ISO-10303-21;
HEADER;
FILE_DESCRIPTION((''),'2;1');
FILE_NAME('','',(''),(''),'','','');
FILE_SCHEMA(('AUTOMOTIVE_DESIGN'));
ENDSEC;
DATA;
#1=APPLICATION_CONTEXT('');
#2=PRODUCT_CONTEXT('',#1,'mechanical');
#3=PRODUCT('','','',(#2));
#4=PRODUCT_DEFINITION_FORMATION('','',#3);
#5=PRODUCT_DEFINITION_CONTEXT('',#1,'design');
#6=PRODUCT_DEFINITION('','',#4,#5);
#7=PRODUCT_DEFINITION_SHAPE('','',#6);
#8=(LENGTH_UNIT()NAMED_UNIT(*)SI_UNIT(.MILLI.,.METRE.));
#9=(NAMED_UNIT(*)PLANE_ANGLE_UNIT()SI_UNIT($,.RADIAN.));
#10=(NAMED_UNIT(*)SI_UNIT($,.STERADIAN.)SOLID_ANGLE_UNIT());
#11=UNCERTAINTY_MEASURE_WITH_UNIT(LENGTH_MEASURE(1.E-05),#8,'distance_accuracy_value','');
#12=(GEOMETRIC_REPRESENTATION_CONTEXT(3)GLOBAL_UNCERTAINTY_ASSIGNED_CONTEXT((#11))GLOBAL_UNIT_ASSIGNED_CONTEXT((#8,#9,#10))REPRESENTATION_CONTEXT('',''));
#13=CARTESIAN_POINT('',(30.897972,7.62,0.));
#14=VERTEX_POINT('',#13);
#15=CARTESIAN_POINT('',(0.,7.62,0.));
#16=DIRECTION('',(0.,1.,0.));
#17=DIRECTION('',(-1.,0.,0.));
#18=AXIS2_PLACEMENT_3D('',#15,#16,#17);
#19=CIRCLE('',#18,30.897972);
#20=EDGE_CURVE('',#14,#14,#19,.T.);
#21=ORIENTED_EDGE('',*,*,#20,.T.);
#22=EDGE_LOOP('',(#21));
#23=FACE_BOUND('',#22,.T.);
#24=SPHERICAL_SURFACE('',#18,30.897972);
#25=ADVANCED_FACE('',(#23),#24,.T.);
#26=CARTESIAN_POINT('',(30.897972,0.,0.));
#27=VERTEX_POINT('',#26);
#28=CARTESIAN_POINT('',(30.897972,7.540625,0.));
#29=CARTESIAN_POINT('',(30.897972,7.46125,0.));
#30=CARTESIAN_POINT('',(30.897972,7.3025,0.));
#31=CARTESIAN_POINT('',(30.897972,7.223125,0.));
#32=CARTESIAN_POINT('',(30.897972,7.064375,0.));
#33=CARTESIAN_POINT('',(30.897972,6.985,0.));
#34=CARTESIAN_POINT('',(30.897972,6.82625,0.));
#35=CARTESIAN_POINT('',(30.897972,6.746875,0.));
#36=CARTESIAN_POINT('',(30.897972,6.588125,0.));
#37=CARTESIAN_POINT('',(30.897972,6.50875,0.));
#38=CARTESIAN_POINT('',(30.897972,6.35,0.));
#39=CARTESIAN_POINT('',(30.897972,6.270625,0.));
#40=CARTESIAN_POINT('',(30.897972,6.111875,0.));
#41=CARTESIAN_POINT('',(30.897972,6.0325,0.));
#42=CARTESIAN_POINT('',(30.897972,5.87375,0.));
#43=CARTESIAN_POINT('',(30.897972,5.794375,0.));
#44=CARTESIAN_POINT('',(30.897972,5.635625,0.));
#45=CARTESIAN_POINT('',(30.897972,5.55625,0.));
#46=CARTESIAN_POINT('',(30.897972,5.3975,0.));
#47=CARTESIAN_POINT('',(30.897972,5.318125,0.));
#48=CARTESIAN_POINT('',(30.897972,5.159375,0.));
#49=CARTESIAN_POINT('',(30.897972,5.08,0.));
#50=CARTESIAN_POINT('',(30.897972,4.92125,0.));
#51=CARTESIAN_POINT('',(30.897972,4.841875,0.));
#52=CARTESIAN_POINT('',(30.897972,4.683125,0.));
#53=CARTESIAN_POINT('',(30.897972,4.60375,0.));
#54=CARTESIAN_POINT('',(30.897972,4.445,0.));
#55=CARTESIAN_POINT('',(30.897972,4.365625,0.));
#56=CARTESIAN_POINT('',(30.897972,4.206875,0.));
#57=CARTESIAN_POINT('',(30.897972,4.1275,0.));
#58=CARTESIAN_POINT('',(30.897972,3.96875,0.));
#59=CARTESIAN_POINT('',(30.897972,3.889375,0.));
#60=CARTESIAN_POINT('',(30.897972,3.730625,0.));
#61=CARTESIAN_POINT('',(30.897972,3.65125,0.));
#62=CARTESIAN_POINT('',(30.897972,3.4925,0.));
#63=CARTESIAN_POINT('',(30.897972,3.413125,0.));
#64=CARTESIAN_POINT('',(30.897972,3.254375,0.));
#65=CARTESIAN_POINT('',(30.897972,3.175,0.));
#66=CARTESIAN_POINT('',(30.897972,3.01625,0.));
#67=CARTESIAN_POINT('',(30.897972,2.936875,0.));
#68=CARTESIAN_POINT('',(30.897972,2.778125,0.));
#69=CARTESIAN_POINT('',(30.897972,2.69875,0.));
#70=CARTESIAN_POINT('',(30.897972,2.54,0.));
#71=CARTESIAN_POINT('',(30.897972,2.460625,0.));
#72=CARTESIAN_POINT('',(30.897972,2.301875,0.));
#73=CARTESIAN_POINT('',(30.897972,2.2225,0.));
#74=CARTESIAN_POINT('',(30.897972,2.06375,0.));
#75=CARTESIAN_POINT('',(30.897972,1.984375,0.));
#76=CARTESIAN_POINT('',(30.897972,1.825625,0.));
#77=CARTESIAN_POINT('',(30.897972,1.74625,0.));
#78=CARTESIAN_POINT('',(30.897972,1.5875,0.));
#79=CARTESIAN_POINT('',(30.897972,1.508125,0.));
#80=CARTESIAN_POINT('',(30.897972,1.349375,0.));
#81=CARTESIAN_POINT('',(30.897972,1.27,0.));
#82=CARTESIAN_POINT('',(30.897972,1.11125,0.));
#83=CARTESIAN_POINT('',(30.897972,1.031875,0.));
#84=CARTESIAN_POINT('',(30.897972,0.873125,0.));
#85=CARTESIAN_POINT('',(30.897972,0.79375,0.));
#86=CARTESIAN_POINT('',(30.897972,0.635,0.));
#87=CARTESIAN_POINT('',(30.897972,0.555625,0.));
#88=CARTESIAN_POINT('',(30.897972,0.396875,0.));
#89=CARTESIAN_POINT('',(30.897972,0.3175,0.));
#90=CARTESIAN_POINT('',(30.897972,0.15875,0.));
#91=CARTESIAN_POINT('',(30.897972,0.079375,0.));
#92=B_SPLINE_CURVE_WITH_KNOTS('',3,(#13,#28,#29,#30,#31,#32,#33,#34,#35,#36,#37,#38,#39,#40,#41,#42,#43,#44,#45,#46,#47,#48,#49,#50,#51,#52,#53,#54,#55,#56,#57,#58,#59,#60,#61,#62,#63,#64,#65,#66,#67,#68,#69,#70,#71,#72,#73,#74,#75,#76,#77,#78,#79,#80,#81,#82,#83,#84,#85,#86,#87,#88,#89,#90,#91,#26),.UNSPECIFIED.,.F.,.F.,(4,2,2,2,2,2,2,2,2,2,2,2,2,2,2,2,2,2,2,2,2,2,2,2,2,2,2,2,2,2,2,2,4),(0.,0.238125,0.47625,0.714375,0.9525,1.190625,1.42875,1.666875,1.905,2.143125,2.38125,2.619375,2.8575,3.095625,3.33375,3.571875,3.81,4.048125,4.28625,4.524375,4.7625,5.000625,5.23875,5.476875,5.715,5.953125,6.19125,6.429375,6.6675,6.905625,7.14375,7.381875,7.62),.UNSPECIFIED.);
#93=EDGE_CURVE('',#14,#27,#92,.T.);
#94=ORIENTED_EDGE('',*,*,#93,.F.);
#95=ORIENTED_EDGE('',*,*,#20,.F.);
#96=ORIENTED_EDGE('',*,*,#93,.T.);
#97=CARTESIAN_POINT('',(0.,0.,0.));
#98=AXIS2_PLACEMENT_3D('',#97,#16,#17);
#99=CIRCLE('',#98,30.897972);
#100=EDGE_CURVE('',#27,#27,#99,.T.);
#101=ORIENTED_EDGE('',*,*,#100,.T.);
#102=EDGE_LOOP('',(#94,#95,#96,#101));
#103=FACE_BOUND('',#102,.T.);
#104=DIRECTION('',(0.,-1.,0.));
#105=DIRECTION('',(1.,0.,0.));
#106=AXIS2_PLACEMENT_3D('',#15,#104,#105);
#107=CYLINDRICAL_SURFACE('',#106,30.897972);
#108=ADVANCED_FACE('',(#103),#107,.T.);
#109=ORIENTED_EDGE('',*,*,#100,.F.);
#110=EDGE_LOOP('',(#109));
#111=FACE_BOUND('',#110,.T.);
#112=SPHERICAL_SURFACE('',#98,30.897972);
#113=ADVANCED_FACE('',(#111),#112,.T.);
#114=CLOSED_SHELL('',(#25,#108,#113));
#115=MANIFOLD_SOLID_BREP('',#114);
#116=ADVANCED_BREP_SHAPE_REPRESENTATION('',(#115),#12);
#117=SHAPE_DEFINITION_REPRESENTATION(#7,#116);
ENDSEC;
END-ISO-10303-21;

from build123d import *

# Parameters (mm, degrees)
REVOLVE1_ANGLE      = 180
SKETCH2_R           = 30.897972145
BOSS_EXTRUDE1_DEPTH = 7.62
REVOLVE2_ANGLE      = 180


with BuildPart() as part:
    # Sketch1 → Revolve1 (revolve)
    with BuildSketch(Plane(origin=(0, 0, 0), x_dir=(1, 0, 0), z_dir=(0, 1, 0))):
        with BuildLine():
            Line((0, -30.897972145), (0, 30.897972145))
            ThreePointArc((0, 30.897972145), (30.897972145, 0), (0, -30.897972145))
        make_face()
    revolve(axis=Axis((0, 0, 30.897972145), (0, 0, -1)), revolution_arc=REVOLVE1_ANGLE)

    # Sketch2 → Boss-Extrude1 (add)
    with BuildSketch(Plane(origin=(0, 0, 0), x_dir=(1, 0, 0), z_dir=(0, 1, 0))):
        Circle(SKETCH2_R)
    extrude(amount=BOSS_EXTRUDE1_DEPTH)

    # Sketch3 → Revolve2 (revolve)
    with BuildSketch(Plane(origin=(0, 7.62, 0), x_dir=(1, 0, 0), z_dir=(0, 1, 0))):
        with BuildLine():
            Line((0, 30.897972145), (0, -30.897972145))
            ThreePointArc((0, -30.897972145), (30.897972145, 0), (0, 30.897972145))
        make_face()
    revolve(axis=Axis((0, 7.62, -30.897972145), (0, 0, 1)), revolution_arc=REVOLVE2_ANGLE)


solid = part.part
